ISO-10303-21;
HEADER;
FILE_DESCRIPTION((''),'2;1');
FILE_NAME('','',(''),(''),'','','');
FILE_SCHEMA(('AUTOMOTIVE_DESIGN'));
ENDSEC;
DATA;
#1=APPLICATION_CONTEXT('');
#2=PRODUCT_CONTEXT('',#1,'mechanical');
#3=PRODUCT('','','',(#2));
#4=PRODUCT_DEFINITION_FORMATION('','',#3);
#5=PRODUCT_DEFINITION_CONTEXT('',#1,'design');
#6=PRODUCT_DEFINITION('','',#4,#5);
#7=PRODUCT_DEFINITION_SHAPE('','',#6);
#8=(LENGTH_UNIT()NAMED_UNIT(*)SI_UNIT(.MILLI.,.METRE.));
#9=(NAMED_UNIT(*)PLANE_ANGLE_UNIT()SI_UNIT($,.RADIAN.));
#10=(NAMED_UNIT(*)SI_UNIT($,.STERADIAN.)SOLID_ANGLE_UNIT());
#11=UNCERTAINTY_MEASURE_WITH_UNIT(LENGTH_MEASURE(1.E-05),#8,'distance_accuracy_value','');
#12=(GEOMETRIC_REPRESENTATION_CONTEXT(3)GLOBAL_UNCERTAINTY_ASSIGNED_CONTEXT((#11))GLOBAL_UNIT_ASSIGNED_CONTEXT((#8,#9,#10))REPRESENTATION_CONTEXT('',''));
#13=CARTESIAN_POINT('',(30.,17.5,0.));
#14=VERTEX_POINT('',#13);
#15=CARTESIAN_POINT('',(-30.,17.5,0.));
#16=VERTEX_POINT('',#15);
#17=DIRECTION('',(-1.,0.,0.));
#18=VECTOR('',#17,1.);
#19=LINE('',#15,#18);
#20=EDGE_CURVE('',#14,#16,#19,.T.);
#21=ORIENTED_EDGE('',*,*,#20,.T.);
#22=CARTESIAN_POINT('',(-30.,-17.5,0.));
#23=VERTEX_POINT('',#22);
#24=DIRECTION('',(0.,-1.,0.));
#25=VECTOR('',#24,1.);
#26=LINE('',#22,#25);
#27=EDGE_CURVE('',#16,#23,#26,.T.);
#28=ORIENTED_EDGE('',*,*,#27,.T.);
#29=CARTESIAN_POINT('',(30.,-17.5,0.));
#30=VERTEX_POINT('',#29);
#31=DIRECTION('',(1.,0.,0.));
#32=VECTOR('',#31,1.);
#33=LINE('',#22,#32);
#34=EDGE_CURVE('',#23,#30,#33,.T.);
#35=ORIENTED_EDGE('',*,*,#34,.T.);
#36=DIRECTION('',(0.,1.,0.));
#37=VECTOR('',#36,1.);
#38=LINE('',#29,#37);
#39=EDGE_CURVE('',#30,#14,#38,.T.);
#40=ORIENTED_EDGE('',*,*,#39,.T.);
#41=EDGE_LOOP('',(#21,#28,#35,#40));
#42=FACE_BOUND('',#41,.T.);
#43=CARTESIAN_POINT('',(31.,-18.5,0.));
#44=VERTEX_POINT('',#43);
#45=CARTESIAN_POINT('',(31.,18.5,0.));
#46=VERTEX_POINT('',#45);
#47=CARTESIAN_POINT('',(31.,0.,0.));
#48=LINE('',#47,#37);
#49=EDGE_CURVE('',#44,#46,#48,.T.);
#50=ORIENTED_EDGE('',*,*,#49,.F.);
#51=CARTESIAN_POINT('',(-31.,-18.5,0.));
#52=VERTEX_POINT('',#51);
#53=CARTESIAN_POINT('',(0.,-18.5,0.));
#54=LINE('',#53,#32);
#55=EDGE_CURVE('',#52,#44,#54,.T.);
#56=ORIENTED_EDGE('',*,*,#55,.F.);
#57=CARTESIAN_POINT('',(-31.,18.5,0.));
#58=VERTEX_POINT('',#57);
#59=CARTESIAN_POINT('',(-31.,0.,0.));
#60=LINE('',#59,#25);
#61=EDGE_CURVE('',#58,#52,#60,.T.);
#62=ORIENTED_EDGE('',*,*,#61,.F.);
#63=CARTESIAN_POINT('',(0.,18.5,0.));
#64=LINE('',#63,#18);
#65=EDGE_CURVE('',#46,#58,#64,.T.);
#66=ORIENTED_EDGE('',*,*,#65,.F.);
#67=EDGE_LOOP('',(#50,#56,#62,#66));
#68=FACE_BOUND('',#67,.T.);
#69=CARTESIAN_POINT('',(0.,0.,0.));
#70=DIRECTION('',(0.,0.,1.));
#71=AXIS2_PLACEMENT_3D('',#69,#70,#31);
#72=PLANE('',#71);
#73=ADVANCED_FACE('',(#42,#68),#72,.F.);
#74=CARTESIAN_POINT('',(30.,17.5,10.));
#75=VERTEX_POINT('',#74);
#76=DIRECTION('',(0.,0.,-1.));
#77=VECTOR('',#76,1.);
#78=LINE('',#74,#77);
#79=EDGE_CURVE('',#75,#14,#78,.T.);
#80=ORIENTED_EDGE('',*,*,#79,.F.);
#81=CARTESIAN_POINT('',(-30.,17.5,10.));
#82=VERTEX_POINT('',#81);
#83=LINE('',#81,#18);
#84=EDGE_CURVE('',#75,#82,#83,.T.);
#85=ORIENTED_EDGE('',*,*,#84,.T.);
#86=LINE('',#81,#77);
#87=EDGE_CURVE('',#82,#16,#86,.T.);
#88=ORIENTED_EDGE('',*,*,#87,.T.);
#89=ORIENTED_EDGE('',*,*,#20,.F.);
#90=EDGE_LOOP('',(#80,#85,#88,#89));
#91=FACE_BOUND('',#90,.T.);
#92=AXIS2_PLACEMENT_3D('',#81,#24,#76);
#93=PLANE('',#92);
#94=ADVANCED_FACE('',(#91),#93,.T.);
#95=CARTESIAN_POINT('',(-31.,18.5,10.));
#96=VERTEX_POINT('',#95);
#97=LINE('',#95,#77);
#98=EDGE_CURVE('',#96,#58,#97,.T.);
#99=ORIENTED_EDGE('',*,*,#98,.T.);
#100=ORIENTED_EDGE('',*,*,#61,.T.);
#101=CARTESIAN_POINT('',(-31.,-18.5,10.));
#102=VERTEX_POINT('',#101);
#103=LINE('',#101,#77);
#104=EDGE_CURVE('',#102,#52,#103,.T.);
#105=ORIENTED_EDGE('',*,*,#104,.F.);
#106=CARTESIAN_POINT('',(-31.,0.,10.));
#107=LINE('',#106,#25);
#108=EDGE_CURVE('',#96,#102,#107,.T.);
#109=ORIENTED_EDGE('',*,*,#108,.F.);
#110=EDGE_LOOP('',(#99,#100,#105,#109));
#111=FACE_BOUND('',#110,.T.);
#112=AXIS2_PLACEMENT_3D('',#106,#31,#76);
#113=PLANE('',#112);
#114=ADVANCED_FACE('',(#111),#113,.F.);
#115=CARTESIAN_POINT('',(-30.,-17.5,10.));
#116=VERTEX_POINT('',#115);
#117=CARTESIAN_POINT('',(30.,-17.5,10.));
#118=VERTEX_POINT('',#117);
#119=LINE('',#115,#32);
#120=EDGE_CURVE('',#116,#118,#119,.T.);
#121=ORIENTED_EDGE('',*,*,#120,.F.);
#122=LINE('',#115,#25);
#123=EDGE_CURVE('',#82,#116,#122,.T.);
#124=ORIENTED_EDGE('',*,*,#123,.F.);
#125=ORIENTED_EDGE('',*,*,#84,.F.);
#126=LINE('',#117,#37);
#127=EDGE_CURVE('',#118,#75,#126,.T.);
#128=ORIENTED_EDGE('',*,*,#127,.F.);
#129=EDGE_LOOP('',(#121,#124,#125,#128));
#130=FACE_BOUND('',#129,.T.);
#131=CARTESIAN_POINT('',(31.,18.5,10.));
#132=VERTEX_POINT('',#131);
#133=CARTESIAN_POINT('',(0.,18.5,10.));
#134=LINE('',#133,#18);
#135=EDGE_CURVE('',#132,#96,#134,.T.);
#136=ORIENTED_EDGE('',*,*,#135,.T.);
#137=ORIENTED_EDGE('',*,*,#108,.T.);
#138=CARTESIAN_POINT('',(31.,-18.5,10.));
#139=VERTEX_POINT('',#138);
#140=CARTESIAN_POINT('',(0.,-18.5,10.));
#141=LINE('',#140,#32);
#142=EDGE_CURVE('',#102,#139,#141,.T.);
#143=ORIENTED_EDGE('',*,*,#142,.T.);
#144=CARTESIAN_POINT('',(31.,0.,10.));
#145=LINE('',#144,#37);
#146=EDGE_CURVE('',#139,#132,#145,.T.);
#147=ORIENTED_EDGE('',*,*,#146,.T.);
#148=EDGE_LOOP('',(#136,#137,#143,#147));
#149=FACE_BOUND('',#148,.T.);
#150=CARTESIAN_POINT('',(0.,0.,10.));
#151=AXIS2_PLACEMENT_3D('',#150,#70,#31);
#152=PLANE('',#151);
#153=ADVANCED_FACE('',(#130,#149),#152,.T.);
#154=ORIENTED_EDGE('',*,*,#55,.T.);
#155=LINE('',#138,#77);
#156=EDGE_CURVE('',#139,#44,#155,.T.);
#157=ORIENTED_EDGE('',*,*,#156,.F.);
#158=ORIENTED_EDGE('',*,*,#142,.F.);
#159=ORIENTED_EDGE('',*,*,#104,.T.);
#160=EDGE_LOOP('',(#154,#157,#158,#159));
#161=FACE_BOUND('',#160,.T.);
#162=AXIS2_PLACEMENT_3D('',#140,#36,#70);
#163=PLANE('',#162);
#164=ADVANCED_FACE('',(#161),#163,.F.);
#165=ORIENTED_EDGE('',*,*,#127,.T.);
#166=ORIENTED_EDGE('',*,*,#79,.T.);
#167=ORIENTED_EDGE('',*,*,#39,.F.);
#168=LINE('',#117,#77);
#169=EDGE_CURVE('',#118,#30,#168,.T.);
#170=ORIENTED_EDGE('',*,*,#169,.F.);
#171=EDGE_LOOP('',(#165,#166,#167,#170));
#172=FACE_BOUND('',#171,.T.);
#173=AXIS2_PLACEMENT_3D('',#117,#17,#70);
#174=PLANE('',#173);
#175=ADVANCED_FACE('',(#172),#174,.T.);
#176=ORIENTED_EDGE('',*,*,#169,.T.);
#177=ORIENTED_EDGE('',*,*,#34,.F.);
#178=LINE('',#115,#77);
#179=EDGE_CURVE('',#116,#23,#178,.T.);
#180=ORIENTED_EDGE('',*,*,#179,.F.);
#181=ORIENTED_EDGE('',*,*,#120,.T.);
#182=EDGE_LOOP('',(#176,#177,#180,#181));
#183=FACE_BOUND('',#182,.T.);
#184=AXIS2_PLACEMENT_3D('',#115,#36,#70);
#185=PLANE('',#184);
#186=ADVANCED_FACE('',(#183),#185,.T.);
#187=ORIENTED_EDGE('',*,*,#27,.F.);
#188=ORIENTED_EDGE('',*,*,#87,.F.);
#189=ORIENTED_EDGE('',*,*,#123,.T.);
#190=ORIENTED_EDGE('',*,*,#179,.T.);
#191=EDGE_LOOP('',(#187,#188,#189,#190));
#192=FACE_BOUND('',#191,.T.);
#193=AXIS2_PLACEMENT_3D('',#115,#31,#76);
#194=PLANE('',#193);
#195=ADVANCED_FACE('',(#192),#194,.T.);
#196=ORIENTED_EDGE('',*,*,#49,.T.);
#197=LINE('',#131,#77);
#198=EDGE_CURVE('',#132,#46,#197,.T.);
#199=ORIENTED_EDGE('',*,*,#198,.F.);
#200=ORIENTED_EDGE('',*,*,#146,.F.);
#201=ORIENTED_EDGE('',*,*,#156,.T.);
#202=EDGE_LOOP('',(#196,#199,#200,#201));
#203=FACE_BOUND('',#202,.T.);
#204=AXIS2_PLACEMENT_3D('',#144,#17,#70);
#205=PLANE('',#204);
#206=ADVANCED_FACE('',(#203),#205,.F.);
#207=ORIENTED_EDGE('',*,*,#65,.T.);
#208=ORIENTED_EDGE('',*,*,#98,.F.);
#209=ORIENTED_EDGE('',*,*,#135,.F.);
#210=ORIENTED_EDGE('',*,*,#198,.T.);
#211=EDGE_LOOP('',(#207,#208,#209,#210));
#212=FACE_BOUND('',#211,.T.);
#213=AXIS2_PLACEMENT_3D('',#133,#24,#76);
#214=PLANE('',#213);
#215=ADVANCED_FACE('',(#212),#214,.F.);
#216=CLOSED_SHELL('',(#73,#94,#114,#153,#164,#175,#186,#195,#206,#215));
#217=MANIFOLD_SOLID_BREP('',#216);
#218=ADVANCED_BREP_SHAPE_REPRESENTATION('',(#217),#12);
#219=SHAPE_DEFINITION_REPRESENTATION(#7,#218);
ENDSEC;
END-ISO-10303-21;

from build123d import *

# Parameters (mm, degrees)
SKETCH1_W           = 62
SKETCH1_H           = 37
SKETCH1_W_2         = 60
SKETCH1_H_2         = 35
EXTRUDE_THIN1_DEPTH = 10


with BuildPart() as part:
    # Sketch1 → Extrude-Thin1 (new body)
    with BuildSketch(Plane.XY):
        Rectangle(SKETCH1_W, SKETCH1_H)
        Rectangle(SKETCH1_W_2, SKETCH1_H_2, mode=Mode.SUBTRACT)
    extrude(amount=EXTRUDE_THIN1_DEPTH)


solid = part.part
